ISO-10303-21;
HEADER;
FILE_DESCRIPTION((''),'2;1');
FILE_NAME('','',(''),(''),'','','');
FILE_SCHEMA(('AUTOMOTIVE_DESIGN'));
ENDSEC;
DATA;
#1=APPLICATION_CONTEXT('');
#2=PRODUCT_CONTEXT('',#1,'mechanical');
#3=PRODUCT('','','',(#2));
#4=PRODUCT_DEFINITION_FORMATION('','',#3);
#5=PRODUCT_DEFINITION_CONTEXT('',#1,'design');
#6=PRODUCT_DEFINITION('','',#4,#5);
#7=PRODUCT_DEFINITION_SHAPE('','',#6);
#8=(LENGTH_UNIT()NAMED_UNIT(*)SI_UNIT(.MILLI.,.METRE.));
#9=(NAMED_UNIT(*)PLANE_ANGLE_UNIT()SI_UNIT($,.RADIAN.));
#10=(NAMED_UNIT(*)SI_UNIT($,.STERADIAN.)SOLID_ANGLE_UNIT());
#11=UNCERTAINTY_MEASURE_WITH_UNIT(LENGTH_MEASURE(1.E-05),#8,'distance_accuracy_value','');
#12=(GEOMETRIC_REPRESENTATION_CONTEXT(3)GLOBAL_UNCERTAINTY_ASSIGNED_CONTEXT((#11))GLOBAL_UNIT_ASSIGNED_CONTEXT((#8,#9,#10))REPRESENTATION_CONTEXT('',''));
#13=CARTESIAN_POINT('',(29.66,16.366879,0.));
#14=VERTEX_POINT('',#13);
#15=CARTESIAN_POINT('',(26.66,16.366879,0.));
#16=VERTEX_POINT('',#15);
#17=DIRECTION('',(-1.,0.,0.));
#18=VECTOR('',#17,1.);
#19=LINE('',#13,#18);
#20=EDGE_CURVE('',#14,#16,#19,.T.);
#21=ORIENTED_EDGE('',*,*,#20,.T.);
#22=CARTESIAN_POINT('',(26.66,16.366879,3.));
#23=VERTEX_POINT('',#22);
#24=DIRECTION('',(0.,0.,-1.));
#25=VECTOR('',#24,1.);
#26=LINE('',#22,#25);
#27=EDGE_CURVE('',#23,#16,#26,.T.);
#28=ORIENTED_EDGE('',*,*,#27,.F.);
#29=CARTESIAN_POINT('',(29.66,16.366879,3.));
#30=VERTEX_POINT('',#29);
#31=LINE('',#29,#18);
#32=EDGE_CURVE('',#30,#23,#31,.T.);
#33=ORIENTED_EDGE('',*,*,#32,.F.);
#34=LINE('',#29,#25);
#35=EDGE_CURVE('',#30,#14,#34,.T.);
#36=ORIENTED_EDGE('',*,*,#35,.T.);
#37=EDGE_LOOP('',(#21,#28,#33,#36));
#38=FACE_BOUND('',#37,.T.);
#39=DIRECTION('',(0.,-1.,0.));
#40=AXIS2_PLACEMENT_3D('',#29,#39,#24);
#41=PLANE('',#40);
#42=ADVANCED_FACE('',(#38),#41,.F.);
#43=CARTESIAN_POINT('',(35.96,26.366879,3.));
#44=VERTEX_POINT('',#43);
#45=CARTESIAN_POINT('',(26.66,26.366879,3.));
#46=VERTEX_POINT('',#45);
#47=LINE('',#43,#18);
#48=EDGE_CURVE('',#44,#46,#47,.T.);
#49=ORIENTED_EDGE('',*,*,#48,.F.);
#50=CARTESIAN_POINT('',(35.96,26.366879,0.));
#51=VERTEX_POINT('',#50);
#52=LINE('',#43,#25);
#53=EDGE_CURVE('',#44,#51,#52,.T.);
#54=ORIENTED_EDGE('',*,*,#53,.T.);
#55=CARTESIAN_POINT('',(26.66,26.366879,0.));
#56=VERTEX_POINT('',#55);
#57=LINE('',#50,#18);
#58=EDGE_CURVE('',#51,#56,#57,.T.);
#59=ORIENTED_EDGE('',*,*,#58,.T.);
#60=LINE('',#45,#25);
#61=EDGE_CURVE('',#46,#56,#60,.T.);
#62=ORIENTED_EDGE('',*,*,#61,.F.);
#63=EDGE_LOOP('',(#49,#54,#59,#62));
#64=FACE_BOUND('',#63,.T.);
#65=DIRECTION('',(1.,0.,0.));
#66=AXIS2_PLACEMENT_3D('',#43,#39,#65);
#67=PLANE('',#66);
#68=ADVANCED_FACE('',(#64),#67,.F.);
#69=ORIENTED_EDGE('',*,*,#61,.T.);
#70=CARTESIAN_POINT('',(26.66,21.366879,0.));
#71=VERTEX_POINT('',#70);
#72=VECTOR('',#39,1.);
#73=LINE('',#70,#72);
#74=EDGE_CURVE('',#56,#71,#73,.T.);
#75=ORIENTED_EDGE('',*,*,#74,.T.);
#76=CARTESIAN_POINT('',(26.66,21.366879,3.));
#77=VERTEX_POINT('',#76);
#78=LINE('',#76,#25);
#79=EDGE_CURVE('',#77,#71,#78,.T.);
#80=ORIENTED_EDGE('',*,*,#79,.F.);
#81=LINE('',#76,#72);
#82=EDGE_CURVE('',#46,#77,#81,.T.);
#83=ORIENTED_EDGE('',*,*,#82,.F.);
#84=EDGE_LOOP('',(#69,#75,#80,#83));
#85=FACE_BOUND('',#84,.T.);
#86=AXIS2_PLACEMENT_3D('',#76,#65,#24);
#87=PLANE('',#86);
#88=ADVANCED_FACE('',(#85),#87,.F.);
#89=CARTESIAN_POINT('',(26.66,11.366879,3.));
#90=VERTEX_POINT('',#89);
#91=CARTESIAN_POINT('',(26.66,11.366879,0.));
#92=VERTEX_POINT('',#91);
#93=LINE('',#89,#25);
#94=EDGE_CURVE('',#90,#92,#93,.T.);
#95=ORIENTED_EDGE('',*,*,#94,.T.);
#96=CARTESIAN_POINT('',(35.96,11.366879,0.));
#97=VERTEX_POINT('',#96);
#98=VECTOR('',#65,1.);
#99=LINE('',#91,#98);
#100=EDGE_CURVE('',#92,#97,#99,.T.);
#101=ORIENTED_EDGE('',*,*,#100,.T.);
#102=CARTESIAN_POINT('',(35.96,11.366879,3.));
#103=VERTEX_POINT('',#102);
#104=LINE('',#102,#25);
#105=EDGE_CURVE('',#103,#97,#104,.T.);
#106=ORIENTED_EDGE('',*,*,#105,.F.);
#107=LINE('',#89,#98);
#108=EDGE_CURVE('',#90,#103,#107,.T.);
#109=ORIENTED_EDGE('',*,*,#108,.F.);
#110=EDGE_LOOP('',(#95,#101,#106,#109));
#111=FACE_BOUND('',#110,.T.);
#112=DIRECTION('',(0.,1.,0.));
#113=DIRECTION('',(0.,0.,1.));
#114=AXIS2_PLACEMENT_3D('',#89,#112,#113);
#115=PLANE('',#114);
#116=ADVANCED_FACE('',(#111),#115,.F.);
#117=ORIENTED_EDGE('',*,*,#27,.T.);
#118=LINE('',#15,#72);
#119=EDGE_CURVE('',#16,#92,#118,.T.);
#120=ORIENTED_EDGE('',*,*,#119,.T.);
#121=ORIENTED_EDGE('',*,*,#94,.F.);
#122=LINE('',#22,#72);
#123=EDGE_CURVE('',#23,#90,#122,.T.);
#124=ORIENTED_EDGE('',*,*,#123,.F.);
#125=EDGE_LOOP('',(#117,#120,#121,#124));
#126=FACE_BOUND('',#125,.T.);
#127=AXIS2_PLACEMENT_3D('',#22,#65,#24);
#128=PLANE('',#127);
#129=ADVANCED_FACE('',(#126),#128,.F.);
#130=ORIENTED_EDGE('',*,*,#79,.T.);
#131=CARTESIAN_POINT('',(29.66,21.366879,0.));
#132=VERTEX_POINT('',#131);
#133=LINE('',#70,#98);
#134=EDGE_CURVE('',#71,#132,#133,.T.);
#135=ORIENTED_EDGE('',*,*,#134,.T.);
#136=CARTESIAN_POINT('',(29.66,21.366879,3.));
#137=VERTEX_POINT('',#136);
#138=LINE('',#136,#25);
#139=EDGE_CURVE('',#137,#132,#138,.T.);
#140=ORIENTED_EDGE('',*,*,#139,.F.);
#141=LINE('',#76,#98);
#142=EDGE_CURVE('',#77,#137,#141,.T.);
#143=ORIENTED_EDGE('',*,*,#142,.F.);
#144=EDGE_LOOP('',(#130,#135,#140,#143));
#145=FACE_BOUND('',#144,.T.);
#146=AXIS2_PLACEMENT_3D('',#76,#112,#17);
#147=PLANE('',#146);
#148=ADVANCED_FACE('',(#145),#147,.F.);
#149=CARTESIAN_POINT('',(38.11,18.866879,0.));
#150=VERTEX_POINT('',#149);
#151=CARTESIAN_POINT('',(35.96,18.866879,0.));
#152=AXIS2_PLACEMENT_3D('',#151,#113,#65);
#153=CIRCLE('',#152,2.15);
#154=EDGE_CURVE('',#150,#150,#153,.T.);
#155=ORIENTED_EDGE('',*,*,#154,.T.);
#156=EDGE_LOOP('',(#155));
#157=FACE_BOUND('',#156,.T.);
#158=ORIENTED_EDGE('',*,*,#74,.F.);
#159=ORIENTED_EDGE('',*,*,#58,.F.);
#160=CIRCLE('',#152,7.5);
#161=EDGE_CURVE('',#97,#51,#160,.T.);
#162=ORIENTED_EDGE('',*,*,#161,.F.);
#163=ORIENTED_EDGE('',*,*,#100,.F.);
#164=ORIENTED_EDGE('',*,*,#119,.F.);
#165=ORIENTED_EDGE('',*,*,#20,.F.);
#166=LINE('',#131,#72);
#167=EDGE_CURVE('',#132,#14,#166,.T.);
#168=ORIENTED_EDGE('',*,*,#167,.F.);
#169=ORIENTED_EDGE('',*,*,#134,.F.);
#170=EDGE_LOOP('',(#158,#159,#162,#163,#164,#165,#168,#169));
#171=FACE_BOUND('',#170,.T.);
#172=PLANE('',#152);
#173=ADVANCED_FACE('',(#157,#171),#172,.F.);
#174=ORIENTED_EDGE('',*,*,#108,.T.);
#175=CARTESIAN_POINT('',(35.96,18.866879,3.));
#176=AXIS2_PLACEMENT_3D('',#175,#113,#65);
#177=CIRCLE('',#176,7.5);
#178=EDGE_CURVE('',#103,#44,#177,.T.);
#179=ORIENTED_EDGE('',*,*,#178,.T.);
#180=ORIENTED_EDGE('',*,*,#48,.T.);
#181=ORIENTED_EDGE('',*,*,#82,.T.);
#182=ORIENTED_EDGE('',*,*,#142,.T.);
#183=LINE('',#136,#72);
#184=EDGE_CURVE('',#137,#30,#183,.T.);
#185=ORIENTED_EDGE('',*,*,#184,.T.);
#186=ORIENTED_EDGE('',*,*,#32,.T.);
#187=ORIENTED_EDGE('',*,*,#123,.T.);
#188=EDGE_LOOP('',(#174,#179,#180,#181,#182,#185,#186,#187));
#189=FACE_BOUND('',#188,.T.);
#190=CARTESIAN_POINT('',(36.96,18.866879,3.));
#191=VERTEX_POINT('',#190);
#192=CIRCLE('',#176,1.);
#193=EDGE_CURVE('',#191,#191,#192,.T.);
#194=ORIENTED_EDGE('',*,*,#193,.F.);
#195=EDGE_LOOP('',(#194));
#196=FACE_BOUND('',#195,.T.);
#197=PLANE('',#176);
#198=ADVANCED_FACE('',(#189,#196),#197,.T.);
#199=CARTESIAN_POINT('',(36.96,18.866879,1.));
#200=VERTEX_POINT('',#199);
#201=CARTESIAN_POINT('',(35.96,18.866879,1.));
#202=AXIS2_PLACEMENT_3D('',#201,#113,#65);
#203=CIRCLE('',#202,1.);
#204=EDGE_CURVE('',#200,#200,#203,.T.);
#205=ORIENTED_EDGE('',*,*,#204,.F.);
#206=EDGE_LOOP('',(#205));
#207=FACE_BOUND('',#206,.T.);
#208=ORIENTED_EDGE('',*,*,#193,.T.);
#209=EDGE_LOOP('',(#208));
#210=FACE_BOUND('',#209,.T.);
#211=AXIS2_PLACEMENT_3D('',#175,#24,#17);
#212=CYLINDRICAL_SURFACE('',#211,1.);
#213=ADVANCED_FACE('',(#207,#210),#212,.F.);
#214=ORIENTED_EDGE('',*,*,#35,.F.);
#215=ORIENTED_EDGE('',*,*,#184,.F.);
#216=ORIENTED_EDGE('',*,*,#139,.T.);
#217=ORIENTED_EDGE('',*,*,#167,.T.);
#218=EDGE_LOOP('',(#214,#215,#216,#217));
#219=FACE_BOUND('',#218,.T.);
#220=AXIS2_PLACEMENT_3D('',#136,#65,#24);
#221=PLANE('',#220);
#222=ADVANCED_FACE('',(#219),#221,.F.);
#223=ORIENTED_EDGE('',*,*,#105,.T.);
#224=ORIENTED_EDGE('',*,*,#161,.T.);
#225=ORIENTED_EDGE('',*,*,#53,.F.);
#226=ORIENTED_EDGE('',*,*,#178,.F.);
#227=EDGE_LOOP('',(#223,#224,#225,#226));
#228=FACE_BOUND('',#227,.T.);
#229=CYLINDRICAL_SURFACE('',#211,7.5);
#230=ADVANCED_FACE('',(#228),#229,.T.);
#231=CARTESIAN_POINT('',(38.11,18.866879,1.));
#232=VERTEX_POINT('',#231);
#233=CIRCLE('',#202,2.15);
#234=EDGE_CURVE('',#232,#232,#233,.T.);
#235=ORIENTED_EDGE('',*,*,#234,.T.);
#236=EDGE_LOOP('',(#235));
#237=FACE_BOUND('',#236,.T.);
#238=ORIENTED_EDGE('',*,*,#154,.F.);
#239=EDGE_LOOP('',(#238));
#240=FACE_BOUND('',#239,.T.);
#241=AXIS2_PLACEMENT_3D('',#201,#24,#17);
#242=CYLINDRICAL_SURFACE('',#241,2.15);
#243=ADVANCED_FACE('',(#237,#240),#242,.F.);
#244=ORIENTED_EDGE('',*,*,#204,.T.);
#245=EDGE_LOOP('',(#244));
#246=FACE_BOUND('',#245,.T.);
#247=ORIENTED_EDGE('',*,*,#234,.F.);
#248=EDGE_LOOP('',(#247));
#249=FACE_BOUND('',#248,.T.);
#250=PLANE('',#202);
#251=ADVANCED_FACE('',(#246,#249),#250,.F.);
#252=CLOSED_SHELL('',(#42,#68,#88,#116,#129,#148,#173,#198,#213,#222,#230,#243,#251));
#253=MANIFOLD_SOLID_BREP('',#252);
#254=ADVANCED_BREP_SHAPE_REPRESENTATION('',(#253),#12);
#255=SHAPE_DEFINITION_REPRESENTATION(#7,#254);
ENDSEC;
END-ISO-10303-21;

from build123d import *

# Parameters (mm, degrees)
MODEL_R                 = 1
SALIENTE_EXTRUIR1_DEPTH = 3
CROQUIS2_R              = 2.15
CORTAR_EXTRUIR1_DEPTH   = 1


with BuildPart() as part:
    # Model → Saliente-Extruir1 (new body)
    with BuildSketch(Plane.XY):
        with BuildLine():
            Line((26.66, 16.366878764), (26.66, 11.366878764))
            Line((26.66, 11.366878764), (35.96, 11.366878764))
            ThreePointArc((35.96, 11.366878764), (43.46, 18.866878764), (35.96, 26.366878764))
            Line((35.96, 26.366878764), (26.66, 26.366878764))
            Line((26.66, 26.366878764), (26.66, 21.366878764))
            Line((26.66, 21.366878764), (29.66, 21.366878764))
            Line((29.66, 21.366878764), (29.66, 16.366878764))
            Line((29.66, 16.366878764), (26.66, 16.366878764))
        make_face()
        with Locations((35.96, 18.866878764)):
            Circle(MODEL_R, mode=Mode.SUBTRACT)
    extrude(amount=SALIENTE_EXTRUIR1_DEPTH)

    # Croquis2 → Cortar-Extruir1 (cut)
    with BuildSketch(Plane.XY):
        with Locations((35.96, 18.866878764)):
            Circle(CROQUIS2_R)
    extrude(amount=CORTAR_EXTRUIR1_DEPTH, mode=Mode.SUBTRACT)


solid = part.part
